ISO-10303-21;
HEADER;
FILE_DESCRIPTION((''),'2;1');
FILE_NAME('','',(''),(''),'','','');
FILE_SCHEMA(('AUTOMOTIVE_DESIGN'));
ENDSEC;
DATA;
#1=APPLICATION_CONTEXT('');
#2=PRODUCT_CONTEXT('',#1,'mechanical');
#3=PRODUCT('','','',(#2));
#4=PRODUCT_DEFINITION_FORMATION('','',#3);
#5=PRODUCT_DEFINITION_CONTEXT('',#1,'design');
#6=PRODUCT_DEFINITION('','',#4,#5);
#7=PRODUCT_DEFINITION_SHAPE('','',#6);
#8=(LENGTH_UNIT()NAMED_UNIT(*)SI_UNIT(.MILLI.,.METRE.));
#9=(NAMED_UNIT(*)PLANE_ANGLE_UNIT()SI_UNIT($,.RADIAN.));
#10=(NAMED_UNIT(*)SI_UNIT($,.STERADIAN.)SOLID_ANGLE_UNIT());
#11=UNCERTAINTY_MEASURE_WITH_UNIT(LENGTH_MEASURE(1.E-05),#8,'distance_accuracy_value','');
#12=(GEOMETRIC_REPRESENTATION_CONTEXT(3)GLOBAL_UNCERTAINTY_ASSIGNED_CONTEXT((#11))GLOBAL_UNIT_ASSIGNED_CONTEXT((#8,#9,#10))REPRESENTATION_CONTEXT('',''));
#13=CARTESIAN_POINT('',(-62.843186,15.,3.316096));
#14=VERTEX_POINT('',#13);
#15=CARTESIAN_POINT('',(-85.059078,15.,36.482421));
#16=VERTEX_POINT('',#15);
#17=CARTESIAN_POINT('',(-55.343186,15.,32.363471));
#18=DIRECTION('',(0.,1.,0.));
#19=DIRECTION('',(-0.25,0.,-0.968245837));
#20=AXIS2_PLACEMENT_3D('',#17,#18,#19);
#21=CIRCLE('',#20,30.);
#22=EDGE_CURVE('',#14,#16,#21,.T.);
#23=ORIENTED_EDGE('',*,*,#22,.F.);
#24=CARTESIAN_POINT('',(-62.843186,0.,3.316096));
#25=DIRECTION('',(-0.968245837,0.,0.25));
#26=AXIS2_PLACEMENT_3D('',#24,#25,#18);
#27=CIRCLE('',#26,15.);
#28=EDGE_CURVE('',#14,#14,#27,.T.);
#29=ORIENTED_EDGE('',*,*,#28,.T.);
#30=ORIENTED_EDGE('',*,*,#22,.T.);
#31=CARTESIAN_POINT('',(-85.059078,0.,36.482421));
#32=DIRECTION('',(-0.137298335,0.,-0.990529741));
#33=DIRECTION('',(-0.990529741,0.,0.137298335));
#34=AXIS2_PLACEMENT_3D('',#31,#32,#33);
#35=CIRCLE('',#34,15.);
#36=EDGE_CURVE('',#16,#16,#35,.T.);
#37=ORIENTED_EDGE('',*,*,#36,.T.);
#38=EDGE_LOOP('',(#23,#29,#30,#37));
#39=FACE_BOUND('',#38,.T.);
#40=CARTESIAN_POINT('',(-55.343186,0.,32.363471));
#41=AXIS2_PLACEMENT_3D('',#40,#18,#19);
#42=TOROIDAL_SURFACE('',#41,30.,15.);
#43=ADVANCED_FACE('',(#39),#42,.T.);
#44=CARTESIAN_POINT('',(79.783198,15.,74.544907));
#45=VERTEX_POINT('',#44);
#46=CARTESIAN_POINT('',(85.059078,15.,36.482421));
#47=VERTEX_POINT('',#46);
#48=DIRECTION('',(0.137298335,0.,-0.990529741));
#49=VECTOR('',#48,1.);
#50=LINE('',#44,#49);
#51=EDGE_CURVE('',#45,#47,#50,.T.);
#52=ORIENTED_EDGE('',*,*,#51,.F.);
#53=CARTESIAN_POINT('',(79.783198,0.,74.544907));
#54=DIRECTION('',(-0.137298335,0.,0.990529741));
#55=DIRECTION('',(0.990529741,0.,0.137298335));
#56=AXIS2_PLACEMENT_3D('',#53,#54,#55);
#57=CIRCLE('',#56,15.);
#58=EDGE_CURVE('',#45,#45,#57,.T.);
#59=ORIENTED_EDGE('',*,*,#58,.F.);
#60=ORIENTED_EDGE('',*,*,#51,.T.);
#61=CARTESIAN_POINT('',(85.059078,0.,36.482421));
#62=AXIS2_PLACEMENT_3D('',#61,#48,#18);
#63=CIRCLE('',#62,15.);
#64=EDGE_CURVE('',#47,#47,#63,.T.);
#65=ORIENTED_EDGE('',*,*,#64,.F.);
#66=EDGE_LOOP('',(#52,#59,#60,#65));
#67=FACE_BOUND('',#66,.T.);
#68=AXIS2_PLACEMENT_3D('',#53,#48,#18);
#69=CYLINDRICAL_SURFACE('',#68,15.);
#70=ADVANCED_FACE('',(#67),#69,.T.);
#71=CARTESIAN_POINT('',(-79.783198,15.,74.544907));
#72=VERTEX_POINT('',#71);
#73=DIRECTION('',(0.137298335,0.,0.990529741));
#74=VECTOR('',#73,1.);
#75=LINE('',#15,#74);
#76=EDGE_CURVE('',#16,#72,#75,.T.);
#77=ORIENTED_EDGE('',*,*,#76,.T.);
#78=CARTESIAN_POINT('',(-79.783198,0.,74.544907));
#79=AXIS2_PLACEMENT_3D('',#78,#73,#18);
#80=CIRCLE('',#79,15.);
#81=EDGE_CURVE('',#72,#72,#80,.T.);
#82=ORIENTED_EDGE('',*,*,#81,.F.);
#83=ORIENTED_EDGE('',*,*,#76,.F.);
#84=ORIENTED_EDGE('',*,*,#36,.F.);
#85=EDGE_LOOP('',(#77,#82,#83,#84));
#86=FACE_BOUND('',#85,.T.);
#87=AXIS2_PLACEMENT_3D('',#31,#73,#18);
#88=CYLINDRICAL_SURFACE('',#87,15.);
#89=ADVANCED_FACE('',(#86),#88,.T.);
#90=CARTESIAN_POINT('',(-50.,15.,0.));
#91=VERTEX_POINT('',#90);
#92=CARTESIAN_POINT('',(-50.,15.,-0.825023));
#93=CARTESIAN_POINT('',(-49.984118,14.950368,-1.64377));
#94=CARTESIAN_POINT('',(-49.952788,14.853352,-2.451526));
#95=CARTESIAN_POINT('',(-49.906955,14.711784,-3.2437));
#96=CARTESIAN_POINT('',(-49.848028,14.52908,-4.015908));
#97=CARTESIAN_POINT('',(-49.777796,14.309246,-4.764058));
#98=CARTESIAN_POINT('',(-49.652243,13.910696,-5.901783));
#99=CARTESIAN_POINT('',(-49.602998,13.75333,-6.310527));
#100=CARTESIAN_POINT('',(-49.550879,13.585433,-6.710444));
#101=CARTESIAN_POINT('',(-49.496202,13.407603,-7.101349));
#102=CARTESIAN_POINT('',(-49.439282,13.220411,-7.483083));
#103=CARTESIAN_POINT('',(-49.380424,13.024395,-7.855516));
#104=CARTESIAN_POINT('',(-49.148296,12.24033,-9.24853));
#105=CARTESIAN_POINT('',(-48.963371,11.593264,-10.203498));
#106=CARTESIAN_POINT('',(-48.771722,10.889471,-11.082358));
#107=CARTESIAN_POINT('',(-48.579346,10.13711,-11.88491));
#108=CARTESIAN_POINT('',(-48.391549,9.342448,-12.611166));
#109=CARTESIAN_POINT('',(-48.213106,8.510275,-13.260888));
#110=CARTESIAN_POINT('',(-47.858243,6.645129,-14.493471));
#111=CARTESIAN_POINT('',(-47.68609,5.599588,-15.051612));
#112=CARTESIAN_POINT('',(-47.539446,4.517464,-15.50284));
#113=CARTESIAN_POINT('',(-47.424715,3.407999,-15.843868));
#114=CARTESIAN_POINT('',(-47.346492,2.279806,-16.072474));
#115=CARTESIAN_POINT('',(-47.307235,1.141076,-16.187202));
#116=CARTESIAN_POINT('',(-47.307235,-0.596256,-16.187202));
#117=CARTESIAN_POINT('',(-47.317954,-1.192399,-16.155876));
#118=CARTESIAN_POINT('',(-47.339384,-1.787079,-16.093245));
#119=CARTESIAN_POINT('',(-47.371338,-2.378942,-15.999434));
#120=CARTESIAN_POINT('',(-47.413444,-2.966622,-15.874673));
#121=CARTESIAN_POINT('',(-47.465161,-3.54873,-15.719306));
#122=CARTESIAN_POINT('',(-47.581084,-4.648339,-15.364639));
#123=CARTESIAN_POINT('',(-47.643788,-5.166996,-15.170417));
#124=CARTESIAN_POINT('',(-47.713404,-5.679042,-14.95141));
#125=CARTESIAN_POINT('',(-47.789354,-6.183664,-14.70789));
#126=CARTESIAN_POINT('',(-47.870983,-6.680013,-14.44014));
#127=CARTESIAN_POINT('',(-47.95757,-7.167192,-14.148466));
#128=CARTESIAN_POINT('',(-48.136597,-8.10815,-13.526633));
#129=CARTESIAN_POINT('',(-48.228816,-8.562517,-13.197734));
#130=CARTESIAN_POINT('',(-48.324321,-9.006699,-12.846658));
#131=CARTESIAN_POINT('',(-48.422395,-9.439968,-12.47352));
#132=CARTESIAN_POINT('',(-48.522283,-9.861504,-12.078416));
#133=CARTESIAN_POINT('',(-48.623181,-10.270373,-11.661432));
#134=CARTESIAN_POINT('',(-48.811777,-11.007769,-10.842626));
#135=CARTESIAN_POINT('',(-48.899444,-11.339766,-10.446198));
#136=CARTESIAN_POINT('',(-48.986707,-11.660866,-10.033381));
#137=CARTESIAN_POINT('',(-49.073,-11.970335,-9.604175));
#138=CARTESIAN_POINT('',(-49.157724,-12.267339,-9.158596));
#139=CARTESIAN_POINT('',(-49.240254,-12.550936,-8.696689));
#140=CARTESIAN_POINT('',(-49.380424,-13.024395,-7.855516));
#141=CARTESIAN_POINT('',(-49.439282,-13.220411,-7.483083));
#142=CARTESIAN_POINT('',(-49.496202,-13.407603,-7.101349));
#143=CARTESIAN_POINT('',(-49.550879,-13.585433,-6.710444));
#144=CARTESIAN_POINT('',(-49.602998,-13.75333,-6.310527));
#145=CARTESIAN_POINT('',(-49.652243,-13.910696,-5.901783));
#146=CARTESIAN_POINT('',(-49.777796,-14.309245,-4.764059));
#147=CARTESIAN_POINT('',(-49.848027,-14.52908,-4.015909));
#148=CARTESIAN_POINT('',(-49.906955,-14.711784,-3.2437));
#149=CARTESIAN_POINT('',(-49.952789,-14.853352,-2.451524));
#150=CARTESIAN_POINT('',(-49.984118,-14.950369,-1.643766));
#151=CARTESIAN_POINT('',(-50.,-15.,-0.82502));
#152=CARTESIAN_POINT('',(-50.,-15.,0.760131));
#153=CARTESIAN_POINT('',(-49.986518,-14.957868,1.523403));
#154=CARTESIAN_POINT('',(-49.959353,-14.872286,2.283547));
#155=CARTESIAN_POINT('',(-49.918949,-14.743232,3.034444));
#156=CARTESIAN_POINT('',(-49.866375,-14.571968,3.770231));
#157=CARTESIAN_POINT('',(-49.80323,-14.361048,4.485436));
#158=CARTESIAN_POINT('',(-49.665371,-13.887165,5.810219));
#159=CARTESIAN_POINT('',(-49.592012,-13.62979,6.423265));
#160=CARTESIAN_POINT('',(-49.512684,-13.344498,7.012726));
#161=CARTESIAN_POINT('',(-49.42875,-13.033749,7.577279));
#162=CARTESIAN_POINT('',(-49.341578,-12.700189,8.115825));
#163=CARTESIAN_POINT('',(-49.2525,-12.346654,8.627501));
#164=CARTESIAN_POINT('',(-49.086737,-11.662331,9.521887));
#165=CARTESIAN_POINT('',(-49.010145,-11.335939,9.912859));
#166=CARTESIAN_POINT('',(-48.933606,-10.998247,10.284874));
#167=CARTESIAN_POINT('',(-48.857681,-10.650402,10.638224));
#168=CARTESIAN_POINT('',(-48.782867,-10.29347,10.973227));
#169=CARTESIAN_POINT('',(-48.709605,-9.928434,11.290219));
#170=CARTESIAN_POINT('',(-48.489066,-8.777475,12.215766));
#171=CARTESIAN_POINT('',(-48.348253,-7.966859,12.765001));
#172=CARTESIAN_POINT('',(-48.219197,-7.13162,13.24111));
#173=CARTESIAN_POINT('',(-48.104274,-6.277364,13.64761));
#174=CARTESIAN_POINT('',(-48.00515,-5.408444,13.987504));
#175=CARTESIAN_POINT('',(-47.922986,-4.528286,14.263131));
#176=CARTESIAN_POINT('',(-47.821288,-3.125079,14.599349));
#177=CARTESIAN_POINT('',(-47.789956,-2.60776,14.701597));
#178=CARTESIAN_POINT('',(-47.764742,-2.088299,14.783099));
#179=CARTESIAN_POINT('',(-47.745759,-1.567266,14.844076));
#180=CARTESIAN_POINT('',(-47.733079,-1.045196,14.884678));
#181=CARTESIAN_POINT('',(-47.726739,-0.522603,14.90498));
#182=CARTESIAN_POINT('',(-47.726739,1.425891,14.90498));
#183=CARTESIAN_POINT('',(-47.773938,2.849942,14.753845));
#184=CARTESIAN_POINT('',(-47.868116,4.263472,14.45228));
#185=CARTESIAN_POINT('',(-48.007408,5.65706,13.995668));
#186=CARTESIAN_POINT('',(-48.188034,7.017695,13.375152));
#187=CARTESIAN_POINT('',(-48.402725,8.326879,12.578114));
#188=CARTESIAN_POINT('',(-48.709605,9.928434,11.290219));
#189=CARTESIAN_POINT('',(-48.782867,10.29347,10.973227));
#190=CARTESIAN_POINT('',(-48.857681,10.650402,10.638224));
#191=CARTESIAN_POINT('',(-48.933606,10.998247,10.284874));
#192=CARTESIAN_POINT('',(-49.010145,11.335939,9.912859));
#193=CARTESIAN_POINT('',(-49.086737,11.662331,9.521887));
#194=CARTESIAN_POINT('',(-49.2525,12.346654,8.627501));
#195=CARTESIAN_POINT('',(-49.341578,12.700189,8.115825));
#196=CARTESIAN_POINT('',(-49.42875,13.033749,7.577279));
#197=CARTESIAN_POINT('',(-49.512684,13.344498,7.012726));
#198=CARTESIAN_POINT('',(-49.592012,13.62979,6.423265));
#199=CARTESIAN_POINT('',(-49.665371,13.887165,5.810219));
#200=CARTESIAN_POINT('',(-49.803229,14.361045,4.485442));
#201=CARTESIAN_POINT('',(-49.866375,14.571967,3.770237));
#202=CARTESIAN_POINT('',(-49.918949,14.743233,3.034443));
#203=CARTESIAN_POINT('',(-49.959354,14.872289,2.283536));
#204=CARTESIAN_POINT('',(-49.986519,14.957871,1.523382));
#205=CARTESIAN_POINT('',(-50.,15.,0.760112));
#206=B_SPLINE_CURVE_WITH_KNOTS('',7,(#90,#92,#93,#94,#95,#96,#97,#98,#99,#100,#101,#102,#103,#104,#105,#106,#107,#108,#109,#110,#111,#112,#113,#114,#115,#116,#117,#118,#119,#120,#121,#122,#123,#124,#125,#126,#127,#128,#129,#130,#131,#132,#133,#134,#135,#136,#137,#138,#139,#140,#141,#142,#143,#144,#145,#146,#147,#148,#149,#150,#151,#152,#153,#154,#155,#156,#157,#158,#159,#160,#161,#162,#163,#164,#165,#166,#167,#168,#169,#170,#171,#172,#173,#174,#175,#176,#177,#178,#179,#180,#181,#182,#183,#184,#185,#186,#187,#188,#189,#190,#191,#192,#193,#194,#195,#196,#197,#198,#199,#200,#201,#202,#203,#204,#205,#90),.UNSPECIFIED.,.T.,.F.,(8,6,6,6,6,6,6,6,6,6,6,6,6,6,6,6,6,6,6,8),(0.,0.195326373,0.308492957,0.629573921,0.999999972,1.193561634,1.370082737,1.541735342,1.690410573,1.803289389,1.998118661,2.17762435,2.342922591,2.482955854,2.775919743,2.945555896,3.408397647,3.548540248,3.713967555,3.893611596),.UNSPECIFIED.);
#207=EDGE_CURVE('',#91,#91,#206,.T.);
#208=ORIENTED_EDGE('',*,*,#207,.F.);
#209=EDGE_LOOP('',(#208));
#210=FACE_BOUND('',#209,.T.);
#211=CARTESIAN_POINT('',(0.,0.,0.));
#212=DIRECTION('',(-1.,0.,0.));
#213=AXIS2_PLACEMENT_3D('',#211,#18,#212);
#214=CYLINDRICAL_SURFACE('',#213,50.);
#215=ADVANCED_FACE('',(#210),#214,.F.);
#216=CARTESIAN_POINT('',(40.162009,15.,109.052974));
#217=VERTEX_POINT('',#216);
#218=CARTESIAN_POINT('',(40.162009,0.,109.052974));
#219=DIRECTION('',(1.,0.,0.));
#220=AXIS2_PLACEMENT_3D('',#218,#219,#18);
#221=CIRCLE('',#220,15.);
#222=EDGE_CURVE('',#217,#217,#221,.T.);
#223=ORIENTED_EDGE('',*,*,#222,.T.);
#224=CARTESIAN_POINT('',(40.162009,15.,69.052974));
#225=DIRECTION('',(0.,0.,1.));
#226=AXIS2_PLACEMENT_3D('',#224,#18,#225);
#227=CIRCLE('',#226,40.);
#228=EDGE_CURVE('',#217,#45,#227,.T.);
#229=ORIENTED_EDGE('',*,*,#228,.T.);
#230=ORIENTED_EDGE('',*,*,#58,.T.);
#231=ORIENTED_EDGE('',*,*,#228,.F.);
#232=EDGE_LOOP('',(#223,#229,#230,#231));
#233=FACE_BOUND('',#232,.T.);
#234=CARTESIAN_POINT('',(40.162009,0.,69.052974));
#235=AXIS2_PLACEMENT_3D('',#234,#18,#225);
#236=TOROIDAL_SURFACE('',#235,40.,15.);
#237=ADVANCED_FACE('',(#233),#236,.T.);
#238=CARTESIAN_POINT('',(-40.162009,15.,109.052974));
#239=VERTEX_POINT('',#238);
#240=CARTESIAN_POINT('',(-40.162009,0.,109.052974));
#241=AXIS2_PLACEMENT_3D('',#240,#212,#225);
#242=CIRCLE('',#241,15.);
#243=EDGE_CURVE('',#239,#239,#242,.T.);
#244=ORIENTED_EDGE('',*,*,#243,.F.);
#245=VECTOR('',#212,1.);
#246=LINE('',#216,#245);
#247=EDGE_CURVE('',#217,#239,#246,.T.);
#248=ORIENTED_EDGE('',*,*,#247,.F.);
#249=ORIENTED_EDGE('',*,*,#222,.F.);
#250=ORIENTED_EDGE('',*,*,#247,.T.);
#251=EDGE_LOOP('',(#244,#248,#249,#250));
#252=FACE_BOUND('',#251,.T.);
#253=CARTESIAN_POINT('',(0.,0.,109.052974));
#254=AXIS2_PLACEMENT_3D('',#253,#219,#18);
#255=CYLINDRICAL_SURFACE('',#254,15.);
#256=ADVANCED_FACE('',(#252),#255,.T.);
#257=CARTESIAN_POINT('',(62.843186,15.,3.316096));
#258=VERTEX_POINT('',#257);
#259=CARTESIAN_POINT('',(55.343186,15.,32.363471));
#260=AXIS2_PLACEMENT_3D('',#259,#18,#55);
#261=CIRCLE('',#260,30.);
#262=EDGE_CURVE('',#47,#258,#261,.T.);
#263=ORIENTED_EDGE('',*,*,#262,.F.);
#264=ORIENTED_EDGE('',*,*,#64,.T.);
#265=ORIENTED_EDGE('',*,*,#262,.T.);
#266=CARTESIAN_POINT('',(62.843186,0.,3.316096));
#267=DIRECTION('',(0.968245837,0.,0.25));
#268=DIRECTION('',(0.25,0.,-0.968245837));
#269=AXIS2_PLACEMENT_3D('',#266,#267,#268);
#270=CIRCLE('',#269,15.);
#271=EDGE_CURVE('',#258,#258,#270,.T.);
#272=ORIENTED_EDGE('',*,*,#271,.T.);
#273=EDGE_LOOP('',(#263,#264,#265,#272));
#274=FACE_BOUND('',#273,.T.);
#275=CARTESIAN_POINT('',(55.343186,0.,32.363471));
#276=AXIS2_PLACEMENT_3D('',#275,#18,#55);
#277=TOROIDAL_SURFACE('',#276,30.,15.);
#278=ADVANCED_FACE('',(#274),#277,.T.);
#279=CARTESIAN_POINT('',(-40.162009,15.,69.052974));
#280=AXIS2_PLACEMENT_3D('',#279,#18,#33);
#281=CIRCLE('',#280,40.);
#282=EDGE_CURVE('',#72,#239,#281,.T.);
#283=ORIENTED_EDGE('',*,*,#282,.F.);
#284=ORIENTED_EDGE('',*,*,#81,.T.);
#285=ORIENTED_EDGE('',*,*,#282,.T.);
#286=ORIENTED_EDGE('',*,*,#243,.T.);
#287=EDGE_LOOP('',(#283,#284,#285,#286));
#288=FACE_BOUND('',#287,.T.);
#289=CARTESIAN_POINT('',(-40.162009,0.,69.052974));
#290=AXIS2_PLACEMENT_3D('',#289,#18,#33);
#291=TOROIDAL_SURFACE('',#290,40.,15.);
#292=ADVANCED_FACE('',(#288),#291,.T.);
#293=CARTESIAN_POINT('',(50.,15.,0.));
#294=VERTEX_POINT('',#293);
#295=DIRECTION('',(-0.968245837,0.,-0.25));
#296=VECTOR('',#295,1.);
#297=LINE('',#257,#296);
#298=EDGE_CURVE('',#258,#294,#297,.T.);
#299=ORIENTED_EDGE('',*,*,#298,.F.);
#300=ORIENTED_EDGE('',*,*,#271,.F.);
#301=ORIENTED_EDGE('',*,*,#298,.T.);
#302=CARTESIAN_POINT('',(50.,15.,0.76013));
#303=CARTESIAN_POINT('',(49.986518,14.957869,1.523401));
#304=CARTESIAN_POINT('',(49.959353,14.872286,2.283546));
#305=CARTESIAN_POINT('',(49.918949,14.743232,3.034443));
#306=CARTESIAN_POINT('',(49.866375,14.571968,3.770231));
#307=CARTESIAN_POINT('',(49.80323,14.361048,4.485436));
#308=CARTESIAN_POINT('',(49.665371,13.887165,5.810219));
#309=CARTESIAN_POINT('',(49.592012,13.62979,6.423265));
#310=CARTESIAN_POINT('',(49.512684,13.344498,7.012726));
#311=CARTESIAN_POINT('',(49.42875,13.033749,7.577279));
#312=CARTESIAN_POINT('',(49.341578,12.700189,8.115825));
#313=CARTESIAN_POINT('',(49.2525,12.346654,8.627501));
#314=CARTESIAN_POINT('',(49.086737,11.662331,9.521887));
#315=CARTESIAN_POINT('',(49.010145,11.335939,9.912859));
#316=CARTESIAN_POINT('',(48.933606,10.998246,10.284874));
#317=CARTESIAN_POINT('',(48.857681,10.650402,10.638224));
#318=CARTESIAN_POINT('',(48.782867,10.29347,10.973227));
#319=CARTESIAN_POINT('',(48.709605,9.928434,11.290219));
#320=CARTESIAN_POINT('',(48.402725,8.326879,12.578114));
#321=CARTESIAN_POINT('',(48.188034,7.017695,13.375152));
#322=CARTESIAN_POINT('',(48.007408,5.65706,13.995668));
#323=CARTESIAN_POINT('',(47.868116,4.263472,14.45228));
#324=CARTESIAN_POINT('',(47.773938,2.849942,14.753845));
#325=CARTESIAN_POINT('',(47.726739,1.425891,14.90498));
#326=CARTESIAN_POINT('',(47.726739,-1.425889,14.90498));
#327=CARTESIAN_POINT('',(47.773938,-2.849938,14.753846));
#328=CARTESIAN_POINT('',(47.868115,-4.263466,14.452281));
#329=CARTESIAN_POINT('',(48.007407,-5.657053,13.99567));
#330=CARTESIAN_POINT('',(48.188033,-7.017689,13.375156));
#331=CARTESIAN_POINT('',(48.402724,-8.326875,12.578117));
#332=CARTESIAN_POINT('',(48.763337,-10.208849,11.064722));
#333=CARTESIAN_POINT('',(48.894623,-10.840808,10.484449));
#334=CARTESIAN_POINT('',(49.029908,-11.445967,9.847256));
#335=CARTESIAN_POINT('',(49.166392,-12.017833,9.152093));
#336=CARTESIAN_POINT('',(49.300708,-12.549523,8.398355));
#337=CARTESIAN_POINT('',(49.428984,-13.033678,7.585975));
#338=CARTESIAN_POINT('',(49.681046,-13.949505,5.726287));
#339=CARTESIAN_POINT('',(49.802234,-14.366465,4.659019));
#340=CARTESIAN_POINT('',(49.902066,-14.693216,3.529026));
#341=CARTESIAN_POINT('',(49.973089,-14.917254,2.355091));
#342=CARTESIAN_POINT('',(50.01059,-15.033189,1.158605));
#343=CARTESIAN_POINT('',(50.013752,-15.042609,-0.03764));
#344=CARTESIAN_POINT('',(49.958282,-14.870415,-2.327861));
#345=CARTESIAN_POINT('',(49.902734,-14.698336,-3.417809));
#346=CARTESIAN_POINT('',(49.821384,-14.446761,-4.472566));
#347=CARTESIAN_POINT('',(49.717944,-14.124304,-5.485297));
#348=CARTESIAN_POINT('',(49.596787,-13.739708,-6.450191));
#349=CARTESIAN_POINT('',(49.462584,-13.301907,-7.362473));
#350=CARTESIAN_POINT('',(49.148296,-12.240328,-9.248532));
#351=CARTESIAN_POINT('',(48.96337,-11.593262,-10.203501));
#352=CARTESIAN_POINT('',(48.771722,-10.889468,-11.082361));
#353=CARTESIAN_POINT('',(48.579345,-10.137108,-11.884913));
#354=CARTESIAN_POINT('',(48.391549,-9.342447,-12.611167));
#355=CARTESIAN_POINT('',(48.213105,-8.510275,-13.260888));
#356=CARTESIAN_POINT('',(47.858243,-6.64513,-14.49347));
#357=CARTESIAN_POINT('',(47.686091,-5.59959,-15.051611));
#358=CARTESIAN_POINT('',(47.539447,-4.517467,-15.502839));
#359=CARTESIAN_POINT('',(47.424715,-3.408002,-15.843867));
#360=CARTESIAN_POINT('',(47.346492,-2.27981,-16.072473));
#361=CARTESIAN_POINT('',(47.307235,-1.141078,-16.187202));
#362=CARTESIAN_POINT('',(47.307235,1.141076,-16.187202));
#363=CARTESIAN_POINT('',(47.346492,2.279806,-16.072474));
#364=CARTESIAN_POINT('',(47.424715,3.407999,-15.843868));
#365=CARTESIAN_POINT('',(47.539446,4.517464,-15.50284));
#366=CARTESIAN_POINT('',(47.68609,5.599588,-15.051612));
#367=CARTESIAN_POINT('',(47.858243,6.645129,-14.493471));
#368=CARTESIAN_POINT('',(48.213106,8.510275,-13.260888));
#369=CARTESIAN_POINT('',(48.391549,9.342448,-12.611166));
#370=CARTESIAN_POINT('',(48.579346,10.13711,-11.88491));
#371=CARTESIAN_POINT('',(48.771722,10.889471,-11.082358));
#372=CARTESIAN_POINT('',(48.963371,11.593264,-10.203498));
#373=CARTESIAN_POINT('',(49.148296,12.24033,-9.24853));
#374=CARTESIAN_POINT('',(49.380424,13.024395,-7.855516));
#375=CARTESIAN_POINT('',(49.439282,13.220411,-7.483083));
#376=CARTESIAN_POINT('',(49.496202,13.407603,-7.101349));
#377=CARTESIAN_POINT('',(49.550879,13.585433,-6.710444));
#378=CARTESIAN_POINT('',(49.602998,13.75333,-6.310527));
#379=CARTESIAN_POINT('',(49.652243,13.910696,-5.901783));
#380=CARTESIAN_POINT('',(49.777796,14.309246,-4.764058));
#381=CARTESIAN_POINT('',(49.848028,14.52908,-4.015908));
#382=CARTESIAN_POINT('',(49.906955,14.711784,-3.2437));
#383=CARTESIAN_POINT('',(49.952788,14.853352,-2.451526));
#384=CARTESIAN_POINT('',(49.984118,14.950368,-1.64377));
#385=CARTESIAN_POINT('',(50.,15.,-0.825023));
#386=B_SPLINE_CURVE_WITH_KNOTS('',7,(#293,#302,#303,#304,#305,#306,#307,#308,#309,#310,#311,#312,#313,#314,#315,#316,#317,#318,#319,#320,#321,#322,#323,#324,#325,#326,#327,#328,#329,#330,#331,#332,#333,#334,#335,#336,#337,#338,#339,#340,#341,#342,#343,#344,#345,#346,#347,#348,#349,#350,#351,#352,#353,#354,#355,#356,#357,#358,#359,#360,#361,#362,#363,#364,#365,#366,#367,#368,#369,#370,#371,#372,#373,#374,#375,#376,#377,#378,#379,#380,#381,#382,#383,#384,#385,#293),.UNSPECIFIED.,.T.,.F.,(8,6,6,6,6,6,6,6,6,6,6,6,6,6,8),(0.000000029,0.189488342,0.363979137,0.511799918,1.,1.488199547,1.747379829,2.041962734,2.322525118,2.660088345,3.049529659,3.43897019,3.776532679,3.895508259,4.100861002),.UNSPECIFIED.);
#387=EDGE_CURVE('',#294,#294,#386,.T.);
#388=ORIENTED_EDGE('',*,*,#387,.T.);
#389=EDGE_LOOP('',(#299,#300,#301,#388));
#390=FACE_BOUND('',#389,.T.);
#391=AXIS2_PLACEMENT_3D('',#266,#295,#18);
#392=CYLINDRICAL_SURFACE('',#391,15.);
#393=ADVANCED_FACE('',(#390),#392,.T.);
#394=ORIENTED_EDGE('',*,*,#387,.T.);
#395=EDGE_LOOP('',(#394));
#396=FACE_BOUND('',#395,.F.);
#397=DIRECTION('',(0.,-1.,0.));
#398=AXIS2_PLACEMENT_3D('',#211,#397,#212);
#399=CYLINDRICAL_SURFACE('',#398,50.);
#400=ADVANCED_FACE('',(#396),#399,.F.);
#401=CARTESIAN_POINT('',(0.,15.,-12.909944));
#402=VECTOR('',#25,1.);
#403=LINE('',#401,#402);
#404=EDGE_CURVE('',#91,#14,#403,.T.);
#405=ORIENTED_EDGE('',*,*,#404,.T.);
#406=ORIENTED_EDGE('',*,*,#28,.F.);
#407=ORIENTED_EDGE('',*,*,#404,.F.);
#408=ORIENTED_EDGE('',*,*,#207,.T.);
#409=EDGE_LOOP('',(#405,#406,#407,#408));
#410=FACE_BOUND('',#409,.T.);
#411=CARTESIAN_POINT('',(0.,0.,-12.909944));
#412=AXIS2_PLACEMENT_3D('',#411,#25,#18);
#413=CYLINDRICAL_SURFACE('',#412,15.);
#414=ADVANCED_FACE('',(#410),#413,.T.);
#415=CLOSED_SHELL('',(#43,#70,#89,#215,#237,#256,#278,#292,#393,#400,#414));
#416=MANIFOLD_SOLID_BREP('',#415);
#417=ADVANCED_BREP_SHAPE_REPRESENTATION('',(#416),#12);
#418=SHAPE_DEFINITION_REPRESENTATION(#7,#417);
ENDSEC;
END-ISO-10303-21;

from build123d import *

# Parameters (mm, degrees)
F1_R          = 15
F4_DEPTH      = 15.0010001
F4_DEPTH_BACK = 15.0010001


with BuildPart() as f2:
    # F2: sweep along a path in F0
    with BuildLine(Plane.XZ) as f2_path:
        Line((0, -12.9099444874), (-62.8431858703, 3.3160963325))
        ThreePointArc((-62.8431858703, 3.3160963325), (-80.2682122339, 15.6678713866), (-85.0590780928, 36.4824214677))
        Line((-85.0590780928, 36.4824214677), (-79.7831982043, 74.5449074598))
        ThreePointArc((-79.7831982043, 74.5449074598), (-66.4329303758, 99.2165061576), (-40.1620085743, 109.052974075))
        Line((-40.1620085743, 109.052974075), (0, 109.052974075))
    # F1 (on Right) → F2 (sweep)
    with BuildSketch(Plane.YZ):
        with Locations((0, 109.052974075)):
            Circle(F1_R)
    sweep(path=f2_path.line)

    # F3: sweep along a path in F0
    with BuildLine(Plane.XZ) as f3_path:
        Line((0, 109.052974075), (40.1620085743, 109.052974075))
        ThreePointArc((40.1620085743, 109.052974075), (66.4329303758, 99.2165061576), (79.7831982043, 74.5449074598))
        Line((79.7831982043, 74.5449074598), (85.0590780928, 36.4824214677))
        ThreePointArc((85.0590780928, 36.4824214677), (80.2682122339, 15.6678713866), (62.8431858703, 3.3160963325))
        Line((62.8431858703, 3.3160963325), (0, -12.9099444874))
    # F1 (on Right) → F3 (sweep)
    with BuildSketch(Plane.YZ):
        with Locations((0, 109.052974075)):
            Circle(F1_R)
    sweep(path=f3_path.line)

    # F0 (on Front) → F4 (cut, two sides)
    with BuildSketch(Plane.XZ) as f4_sk:
        with BuildLine():
            Line((0, -12.9099444874), (50, 0))
            ThreePointArc((50, 0), (0, 50), (-50, 0))
            Line((-50, 0), (0, -12.9099444874))
        make_face()
        with BuildLine():
            ThreePointArc((-50, 0), (0, -50), (50, 0))
            Line((50, 0), (0, -12.9099444874))
            Line((0, -12.9099444874), (-50, 0))
        make_face()
    extrude(amount=-F4_DEPTH, mode=Mode.SUBTRACT)
    extrude(f4_sk.sketch, amount=F4_DEPTH_BACK, mode=Mode.SUBTRACT)


solid = f2.part
